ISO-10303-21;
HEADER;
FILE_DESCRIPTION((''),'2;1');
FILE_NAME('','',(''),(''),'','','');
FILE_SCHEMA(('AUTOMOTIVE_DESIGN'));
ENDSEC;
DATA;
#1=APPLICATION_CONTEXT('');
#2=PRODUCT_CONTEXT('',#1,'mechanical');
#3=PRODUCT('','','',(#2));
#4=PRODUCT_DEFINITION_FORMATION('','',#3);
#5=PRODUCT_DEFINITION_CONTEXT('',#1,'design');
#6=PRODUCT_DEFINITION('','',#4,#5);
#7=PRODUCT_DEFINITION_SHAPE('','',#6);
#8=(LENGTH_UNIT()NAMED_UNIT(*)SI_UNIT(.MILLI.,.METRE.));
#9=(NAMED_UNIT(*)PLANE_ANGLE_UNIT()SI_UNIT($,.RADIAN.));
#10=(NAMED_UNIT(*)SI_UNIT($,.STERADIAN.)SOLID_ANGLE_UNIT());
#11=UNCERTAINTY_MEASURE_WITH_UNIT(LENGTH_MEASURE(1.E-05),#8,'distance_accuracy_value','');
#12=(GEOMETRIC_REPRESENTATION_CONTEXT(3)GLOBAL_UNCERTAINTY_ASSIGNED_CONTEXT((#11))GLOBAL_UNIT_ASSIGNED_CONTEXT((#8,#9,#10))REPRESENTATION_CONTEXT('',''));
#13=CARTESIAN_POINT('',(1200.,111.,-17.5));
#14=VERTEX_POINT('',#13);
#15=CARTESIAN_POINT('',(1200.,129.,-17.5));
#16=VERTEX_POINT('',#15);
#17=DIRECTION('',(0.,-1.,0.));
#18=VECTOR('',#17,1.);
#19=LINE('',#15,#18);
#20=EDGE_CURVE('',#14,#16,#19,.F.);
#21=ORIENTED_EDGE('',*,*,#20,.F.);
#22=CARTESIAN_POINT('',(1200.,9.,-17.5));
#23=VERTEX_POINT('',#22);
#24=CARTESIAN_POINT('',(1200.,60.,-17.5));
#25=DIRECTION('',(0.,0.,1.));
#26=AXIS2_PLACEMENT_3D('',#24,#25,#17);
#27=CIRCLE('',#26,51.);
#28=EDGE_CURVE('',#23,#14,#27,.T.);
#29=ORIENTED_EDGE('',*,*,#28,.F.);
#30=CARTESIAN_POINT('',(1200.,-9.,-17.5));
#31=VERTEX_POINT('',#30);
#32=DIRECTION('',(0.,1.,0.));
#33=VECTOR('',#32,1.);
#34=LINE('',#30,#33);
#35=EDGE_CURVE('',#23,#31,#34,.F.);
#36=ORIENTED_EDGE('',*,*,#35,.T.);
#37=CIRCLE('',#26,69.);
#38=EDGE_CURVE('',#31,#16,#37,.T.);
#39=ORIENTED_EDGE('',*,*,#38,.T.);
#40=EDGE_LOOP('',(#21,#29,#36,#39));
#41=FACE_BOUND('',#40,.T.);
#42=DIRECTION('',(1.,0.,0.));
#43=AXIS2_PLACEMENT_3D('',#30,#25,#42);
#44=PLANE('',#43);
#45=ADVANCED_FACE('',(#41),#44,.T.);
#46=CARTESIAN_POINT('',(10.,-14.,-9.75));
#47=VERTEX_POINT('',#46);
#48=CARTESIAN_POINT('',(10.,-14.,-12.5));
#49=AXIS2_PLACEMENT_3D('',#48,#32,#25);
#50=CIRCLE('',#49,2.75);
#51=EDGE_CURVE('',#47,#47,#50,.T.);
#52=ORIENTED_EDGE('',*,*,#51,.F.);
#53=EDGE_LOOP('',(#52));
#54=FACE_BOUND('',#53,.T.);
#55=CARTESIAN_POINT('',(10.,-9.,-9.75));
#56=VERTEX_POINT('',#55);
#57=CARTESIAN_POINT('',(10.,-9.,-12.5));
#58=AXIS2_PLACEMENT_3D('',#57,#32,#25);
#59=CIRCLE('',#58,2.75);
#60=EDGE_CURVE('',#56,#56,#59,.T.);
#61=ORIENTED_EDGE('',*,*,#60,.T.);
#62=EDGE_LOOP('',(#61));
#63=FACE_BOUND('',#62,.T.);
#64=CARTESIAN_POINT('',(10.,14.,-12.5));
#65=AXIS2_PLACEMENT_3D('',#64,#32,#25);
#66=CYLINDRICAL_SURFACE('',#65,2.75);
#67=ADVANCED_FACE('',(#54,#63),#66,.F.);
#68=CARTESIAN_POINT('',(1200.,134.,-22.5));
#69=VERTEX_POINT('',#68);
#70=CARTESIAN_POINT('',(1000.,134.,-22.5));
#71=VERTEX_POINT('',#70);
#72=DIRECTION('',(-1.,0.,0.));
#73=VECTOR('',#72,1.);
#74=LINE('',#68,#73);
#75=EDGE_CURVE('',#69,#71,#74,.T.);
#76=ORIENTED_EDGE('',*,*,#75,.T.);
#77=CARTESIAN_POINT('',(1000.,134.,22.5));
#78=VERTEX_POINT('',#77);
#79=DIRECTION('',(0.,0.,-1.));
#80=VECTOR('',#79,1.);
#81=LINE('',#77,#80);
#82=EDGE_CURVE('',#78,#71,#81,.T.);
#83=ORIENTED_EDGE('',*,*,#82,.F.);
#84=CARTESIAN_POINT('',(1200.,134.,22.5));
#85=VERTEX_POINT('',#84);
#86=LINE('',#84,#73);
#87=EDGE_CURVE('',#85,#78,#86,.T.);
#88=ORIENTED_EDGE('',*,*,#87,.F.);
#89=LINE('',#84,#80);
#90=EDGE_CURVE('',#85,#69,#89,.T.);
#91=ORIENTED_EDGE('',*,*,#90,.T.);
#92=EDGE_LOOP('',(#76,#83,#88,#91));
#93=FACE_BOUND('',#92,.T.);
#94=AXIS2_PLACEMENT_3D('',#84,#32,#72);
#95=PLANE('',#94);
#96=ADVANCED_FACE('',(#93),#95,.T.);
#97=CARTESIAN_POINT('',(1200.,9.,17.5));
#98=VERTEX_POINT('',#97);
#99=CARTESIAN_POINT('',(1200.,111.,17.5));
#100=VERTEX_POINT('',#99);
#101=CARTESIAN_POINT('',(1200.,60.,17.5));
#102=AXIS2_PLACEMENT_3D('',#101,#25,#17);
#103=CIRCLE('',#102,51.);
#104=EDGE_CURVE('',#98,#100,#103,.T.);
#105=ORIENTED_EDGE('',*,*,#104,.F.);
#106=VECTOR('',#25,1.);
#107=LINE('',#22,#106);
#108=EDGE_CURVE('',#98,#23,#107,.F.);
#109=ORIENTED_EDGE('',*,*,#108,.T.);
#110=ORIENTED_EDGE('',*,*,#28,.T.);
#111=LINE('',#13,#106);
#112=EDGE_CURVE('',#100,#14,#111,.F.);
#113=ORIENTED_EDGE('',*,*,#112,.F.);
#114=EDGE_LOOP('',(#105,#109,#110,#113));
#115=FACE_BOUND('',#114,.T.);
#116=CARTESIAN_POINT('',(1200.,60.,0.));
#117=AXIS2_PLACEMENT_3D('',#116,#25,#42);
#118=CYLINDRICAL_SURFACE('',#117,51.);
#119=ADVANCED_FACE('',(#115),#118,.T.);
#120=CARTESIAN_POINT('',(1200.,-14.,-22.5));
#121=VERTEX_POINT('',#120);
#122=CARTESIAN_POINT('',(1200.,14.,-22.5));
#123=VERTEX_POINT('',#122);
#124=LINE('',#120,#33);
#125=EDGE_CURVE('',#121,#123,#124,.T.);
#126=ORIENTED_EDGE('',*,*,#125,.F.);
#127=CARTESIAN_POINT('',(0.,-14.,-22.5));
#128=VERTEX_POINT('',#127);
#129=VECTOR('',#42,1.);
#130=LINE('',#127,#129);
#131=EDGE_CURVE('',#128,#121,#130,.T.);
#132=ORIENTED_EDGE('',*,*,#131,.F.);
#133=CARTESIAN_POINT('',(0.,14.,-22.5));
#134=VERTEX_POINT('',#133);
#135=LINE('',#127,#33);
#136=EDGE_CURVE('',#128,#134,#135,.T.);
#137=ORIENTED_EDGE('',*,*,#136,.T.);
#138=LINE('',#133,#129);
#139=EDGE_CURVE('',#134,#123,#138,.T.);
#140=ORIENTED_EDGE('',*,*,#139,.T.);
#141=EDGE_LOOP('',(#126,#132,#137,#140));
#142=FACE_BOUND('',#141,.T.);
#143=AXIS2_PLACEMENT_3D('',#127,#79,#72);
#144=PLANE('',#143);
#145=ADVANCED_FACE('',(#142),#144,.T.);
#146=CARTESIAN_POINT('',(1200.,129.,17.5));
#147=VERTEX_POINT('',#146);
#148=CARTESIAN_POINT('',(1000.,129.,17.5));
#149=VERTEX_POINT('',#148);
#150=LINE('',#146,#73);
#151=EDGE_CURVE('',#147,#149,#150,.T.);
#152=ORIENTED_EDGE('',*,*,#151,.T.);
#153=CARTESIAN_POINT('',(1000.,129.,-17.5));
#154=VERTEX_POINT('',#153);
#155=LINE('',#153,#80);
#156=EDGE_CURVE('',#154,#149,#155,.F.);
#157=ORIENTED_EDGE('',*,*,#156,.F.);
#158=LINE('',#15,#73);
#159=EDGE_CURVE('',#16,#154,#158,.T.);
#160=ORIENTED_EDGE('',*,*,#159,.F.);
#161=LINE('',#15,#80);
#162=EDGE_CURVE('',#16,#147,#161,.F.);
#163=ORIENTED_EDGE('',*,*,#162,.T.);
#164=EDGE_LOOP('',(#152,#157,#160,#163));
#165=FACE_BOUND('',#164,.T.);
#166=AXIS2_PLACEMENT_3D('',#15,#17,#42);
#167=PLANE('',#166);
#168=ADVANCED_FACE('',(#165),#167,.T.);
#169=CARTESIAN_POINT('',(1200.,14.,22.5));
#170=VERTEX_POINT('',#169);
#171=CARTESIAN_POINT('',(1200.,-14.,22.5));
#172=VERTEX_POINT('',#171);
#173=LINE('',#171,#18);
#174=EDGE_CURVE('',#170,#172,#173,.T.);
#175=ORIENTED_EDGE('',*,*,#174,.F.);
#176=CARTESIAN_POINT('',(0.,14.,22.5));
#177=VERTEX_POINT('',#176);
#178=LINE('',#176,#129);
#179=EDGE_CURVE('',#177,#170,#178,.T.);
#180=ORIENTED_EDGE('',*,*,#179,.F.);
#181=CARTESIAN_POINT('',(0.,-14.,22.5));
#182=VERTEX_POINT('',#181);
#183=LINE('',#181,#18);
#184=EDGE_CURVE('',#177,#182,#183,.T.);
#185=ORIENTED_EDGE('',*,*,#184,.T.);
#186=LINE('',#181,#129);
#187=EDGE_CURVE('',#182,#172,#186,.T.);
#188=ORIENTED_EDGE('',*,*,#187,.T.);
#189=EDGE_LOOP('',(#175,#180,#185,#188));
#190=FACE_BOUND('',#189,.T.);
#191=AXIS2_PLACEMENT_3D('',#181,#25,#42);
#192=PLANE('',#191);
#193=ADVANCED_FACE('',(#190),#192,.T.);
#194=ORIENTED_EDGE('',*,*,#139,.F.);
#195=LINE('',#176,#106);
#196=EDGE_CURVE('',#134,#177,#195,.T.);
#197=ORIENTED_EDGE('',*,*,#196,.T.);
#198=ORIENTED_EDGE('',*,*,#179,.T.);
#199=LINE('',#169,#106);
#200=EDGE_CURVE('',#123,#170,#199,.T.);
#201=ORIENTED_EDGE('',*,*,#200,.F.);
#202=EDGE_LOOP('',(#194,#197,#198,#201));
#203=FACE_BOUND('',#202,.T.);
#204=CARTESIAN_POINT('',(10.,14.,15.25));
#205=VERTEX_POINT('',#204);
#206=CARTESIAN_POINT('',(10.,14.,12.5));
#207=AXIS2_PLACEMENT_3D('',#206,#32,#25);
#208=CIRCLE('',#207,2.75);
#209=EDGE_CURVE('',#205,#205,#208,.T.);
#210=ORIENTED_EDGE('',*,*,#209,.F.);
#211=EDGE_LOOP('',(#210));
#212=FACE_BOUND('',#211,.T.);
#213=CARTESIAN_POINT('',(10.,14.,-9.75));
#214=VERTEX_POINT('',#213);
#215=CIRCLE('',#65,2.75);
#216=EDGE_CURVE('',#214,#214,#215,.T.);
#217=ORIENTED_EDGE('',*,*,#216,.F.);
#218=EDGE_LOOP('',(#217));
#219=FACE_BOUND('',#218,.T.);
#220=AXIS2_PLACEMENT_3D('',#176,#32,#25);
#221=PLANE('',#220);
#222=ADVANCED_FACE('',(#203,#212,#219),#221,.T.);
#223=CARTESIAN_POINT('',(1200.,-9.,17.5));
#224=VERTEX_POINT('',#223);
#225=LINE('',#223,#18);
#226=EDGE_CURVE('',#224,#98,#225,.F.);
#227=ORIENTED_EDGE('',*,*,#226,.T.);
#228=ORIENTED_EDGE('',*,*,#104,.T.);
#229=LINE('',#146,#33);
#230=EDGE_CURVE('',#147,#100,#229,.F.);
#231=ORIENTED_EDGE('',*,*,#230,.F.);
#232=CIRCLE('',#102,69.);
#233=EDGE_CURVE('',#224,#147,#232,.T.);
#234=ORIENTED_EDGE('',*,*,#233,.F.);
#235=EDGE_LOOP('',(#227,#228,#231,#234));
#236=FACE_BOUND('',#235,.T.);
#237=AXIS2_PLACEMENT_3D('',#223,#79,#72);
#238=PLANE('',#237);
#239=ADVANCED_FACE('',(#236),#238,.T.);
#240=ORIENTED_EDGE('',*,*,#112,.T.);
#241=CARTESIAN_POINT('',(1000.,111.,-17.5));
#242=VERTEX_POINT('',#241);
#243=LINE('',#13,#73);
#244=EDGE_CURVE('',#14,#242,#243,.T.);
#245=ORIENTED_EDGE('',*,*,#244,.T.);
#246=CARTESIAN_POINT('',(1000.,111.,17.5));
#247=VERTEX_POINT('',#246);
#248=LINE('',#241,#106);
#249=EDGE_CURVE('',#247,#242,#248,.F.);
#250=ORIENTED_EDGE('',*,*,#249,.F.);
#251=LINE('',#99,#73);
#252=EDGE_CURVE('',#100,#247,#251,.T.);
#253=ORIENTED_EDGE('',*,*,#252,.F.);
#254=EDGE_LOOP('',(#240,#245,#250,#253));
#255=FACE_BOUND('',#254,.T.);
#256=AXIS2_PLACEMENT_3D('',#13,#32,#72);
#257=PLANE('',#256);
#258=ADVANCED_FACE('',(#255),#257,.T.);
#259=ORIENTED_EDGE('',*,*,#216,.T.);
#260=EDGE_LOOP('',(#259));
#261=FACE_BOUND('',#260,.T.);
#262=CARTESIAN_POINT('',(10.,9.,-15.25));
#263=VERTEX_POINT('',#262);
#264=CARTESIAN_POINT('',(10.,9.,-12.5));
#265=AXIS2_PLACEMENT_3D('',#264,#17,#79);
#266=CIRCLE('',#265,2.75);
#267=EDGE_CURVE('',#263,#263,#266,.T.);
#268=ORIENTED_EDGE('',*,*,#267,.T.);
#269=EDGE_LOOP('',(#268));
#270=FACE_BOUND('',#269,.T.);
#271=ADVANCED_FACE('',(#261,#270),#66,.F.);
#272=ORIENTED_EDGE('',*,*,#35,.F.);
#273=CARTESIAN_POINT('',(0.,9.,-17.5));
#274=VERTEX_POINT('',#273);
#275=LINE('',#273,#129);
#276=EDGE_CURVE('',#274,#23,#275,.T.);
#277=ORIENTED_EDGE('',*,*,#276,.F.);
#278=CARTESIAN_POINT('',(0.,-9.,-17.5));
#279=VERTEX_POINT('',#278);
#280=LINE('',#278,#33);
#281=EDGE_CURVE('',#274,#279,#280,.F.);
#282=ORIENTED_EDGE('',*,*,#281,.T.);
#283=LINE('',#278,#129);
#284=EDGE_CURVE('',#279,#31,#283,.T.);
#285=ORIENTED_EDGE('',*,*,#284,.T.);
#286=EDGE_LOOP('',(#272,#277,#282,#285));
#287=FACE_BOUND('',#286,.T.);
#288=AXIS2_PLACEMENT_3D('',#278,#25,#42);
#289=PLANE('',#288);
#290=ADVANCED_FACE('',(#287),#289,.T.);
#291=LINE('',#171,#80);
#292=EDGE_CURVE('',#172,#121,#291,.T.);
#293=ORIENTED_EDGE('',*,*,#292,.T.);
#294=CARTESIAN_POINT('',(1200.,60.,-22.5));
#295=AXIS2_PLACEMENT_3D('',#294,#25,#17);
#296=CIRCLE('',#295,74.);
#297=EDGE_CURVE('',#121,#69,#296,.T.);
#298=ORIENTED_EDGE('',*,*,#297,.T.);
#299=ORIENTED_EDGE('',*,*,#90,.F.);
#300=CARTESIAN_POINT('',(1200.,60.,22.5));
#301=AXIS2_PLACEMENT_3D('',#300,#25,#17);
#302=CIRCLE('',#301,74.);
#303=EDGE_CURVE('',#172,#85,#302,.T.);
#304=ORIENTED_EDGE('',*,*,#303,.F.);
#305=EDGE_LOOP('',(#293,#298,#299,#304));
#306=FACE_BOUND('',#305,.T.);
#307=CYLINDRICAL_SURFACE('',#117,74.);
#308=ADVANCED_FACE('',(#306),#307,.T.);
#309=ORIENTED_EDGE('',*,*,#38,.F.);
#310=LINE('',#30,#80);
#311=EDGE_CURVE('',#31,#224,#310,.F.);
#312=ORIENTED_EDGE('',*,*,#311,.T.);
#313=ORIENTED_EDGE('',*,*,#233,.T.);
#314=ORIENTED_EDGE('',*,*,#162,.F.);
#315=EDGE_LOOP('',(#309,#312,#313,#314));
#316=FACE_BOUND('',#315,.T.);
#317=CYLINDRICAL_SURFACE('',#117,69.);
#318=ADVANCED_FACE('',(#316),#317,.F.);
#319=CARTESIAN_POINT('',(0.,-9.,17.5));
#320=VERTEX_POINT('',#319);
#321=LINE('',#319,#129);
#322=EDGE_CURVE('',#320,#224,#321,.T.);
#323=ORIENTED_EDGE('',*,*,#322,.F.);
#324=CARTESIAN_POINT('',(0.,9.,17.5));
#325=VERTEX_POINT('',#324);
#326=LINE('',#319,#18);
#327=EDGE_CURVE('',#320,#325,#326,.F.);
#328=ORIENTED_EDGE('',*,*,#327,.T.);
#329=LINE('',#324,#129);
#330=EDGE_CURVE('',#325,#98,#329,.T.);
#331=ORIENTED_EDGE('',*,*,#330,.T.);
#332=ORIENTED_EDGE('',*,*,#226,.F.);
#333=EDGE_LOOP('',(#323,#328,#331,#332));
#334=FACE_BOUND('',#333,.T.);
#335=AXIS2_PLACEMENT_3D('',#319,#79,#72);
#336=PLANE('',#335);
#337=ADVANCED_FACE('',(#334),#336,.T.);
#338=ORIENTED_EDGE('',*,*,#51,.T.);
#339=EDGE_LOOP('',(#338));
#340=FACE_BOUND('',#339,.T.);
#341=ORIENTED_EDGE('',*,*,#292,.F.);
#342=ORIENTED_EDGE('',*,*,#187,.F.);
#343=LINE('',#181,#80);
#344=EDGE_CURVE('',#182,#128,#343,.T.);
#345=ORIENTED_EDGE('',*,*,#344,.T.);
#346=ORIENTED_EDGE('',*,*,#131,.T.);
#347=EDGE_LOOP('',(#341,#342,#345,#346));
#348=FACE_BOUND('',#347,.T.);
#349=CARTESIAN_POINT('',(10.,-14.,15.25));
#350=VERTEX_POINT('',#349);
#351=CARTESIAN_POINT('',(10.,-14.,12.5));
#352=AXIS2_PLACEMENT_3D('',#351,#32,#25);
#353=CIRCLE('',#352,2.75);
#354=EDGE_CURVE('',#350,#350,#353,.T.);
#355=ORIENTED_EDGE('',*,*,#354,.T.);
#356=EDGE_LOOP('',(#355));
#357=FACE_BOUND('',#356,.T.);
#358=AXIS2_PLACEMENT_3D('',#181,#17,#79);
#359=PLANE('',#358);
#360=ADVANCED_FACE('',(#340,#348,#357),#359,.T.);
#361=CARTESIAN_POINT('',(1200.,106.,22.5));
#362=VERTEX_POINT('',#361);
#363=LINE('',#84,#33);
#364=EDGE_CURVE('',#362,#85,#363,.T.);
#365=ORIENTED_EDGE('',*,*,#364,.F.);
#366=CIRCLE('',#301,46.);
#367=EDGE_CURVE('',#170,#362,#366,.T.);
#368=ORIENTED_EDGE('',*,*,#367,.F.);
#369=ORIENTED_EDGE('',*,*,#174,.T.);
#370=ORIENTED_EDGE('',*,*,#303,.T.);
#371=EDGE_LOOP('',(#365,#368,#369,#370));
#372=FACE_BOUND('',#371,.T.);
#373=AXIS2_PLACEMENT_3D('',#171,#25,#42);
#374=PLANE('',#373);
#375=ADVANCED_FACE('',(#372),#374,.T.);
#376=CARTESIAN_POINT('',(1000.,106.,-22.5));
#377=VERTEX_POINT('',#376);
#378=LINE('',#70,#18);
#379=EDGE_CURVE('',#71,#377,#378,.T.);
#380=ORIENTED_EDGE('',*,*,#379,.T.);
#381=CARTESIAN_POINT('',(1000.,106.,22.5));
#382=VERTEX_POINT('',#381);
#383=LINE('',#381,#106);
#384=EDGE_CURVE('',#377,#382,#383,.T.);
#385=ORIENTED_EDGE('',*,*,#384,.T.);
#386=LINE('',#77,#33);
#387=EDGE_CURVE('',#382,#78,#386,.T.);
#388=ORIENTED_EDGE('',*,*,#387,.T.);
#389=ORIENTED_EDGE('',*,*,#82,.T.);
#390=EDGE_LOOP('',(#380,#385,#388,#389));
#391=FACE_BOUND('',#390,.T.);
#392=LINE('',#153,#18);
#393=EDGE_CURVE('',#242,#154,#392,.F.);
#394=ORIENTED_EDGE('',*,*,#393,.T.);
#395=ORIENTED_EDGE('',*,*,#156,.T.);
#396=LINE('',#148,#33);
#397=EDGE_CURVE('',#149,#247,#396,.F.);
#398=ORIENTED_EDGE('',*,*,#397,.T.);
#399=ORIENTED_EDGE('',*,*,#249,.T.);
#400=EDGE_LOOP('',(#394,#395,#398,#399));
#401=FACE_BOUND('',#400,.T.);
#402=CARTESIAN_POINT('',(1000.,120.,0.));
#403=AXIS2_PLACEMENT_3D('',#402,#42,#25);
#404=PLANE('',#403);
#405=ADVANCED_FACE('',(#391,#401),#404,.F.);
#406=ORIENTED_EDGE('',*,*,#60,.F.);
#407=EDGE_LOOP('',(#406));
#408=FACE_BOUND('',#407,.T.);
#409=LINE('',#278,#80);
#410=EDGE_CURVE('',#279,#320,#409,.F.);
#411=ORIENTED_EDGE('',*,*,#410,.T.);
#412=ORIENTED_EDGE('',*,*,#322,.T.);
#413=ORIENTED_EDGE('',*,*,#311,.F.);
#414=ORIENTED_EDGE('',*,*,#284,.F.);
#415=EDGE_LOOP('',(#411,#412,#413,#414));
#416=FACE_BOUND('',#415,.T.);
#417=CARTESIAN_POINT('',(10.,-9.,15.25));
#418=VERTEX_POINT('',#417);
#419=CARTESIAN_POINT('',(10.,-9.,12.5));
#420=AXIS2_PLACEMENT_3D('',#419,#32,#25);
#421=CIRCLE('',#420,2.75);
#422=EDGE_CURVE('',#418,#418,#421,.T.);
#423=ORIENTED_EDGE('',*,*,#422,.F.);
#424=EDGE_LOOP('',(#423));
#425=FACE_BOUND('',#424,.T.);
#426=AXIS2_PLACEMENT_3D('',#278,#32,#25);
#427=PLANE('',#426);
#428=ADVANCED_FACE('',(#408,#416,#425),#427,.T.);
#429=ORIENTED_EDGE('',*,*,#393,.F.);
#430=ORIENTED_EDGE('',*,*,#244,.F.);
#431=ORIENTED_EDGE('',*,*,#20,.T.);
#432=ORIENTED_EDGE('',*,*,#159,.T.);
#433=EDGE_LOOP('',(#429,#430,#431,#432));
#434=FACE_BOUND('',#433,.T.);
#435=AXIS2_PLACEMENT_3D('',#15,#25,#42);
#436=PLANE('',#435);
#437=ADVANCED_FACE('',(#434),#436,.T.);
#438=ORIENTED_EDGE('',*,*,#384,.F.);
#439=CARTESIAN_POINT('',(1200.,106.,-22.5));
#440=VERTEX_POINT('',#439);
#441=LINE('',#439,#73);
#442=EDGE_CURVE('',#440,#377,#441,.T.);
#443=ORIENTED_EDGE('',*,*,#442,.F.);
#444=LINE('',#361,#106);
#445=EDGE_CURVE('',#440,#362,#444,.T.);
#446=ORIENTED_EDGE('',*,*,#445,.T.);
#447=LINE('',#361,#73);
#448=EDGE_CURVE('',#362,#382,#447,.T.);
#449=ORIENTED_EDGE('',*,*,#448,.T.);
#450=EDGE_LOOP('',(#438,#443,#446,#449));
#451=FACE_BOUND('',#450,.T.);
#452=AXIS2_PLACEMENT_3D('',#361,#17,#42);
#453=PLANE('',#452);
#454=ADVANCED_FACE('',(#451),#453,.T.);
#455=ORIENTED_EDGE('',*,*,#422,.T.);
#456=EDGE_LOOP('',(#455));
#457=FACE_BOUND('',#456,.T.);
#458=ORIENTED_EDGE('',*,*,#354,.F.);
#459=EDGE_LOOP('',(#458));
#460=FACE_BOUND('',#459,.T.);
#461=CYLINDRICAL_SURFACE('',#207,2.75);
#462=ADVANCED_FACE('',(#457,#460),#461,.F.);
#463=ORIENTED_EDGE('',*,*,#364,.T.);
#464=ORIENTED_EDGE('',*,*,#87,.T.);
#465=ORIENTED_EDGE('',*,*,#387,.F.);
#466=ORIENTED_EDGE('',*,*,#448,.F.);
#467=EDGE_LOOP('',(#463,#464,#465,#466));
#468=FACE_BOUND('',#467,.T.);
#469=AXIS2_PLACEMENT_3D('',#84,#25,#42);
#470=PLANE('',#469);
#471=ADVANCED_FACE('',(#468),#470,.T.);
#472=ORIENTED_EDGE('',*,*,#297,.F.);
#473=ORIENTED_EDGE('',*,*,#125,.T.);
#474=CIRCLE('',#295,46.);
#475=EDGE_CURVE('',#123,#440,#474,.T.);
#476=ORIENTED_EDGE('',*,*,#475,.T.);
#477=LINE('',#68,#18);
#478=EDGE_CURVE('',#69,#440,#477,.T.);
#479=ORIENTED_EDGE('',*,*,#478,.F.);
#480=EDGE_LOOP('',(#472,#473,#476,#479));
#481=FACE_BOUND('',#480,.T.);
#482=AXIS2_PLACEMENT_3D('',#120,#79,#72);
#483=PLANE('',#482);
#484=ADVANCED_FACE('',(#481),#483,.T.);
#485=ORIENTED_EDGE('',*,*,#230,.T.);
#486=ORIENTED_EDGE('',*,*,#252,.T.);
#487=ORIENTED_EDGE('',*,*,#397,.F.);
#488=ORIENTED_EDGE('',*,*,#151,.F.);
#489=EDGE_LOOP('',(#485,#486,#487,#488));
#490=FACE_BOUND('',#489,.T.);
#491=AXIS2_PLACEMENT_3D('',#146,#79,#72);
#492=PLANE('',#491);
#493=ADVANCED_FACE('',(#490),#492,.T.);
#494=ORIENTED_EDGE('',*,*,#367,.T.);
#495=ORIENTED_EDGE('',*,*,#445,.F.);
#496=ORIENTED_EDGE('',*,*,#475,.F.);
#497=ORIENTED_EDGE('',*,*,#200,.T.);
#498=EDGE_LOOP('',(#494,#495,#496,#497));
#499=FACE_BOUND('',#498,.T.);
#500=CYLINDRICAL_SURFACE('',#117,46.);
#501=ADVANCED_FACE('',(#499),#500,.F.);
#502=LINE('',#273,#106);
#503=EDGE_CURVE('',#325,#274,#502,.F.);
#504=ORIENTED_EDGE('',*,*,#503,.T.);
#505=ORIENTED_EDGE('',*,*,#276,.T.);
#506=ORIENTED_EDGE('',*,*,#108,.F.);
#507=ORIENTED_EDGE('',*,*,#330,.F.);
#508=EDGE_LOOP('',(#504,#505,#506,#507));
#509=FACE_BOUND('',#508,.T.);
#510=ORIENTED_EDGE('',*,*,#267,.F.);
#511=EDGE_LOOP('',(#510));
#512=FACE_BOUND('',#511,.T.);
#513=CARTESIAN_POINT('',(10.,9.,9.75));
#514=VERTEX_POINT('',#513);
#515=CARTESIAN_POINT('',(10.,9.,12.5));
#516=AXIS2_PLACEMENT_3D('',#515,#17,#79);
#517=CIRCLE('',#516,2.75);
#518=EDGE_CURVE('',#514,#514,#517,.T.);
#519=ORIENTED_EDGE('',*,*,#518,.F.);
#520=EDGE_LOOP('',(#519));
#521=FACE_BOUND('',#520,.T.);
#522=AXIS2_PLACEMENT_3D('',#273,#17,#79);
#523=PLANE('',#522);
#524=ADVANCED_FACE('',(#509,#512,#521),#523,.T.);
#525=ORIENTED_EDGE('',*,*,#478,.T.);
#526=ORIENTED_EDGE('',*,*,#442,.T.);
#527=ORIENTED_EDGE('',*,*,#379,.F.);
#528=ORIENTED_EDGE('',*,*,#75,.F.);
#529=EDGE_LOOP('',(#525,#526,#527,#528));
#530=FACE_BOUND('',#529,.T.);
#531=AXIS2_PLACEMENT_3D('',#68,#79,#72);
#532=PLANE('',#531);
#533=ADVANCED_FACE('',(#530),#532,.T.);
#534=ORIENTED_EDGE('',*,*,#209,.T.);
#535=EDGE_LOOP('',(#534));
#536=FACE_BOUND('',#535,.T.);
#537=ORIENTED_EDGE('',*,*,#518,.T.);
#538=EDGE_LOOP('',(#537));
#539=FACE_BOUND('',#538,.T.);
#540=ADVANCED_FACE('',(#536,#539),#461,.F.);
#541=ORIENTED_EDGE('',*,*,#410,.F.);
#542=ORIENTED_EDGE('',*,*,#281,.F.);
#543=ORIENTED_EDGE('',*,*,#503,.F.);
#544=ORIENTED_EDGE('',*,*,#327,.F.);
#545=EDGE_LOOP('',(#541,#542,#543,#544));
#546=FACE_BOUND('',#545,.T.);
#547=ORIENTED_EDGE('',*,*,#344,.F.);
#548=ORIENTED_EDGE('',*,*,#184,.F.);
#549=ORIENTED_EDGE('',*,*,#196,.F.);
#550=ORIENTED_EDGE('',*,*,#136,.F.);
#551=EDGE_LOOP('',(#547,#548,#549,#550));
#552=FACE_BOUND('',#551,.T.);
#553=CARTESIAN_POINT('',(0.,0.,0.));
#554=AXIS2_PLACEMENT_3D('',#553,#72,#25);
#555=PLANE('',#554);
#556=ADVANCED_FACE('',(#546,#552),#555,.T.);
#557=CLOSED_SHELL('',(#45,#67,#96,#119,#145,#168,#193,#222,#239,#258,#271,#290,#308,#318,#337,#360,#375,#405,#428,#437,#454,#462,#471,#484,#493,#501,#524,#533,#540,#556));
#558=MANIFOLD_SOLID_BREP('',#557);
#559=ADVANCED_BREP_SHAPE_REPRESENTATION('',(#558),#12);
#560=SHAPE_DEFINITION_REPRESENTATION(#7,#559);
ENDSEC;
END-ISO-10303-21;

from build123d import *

# Parameters (mm, degrees)
SKETCH_2_W              = 45
SKETCH_2_H              = 28
SKETCH_2_W_2            = 35
SKETCH_2_H_2            = 18
HOLE_WIZARD_5_5_5_5_1_D = 5.5


with BuildPart() as part:
    # 扫描1: sweep along a path in 草图1
    with BuildLine(Plane.XY) as sweep_1_path:
        Line((0, 0), (1200, 0))
        ThreePointArc((1200, 0), (1260, 60), (1200, 120))
        Line((1200, 120), (1000, 120))
    # 草图2 → 扫描1 (sweep)
    with BuildSketch(Plane(origin=(0, 0, 0), x_dir=(0, 0, -1), z_dir=(1, 0, 0))):
        Rectangle(SKETCH_2_W, SKETCH_2_H)
        Rectangle(SKETCH_2_W_2, SKETCH_2_H_2, mode=Mode.SUBTRACT)
    sweep(path=sweep_1_path.line)

    # Ø5.5 (5.5) 直径孔1 (through all)
    with Locations(Plane(origin=(10, 14, -12.5), x_dir=(0, 0, 1), z_dir=(0, 1, 0))):
        with Locations((0, 0), (25, 0)):
            Hole(HOLE_WIZARD_5_5_5_5_1_D / 2)


solid = part.part
